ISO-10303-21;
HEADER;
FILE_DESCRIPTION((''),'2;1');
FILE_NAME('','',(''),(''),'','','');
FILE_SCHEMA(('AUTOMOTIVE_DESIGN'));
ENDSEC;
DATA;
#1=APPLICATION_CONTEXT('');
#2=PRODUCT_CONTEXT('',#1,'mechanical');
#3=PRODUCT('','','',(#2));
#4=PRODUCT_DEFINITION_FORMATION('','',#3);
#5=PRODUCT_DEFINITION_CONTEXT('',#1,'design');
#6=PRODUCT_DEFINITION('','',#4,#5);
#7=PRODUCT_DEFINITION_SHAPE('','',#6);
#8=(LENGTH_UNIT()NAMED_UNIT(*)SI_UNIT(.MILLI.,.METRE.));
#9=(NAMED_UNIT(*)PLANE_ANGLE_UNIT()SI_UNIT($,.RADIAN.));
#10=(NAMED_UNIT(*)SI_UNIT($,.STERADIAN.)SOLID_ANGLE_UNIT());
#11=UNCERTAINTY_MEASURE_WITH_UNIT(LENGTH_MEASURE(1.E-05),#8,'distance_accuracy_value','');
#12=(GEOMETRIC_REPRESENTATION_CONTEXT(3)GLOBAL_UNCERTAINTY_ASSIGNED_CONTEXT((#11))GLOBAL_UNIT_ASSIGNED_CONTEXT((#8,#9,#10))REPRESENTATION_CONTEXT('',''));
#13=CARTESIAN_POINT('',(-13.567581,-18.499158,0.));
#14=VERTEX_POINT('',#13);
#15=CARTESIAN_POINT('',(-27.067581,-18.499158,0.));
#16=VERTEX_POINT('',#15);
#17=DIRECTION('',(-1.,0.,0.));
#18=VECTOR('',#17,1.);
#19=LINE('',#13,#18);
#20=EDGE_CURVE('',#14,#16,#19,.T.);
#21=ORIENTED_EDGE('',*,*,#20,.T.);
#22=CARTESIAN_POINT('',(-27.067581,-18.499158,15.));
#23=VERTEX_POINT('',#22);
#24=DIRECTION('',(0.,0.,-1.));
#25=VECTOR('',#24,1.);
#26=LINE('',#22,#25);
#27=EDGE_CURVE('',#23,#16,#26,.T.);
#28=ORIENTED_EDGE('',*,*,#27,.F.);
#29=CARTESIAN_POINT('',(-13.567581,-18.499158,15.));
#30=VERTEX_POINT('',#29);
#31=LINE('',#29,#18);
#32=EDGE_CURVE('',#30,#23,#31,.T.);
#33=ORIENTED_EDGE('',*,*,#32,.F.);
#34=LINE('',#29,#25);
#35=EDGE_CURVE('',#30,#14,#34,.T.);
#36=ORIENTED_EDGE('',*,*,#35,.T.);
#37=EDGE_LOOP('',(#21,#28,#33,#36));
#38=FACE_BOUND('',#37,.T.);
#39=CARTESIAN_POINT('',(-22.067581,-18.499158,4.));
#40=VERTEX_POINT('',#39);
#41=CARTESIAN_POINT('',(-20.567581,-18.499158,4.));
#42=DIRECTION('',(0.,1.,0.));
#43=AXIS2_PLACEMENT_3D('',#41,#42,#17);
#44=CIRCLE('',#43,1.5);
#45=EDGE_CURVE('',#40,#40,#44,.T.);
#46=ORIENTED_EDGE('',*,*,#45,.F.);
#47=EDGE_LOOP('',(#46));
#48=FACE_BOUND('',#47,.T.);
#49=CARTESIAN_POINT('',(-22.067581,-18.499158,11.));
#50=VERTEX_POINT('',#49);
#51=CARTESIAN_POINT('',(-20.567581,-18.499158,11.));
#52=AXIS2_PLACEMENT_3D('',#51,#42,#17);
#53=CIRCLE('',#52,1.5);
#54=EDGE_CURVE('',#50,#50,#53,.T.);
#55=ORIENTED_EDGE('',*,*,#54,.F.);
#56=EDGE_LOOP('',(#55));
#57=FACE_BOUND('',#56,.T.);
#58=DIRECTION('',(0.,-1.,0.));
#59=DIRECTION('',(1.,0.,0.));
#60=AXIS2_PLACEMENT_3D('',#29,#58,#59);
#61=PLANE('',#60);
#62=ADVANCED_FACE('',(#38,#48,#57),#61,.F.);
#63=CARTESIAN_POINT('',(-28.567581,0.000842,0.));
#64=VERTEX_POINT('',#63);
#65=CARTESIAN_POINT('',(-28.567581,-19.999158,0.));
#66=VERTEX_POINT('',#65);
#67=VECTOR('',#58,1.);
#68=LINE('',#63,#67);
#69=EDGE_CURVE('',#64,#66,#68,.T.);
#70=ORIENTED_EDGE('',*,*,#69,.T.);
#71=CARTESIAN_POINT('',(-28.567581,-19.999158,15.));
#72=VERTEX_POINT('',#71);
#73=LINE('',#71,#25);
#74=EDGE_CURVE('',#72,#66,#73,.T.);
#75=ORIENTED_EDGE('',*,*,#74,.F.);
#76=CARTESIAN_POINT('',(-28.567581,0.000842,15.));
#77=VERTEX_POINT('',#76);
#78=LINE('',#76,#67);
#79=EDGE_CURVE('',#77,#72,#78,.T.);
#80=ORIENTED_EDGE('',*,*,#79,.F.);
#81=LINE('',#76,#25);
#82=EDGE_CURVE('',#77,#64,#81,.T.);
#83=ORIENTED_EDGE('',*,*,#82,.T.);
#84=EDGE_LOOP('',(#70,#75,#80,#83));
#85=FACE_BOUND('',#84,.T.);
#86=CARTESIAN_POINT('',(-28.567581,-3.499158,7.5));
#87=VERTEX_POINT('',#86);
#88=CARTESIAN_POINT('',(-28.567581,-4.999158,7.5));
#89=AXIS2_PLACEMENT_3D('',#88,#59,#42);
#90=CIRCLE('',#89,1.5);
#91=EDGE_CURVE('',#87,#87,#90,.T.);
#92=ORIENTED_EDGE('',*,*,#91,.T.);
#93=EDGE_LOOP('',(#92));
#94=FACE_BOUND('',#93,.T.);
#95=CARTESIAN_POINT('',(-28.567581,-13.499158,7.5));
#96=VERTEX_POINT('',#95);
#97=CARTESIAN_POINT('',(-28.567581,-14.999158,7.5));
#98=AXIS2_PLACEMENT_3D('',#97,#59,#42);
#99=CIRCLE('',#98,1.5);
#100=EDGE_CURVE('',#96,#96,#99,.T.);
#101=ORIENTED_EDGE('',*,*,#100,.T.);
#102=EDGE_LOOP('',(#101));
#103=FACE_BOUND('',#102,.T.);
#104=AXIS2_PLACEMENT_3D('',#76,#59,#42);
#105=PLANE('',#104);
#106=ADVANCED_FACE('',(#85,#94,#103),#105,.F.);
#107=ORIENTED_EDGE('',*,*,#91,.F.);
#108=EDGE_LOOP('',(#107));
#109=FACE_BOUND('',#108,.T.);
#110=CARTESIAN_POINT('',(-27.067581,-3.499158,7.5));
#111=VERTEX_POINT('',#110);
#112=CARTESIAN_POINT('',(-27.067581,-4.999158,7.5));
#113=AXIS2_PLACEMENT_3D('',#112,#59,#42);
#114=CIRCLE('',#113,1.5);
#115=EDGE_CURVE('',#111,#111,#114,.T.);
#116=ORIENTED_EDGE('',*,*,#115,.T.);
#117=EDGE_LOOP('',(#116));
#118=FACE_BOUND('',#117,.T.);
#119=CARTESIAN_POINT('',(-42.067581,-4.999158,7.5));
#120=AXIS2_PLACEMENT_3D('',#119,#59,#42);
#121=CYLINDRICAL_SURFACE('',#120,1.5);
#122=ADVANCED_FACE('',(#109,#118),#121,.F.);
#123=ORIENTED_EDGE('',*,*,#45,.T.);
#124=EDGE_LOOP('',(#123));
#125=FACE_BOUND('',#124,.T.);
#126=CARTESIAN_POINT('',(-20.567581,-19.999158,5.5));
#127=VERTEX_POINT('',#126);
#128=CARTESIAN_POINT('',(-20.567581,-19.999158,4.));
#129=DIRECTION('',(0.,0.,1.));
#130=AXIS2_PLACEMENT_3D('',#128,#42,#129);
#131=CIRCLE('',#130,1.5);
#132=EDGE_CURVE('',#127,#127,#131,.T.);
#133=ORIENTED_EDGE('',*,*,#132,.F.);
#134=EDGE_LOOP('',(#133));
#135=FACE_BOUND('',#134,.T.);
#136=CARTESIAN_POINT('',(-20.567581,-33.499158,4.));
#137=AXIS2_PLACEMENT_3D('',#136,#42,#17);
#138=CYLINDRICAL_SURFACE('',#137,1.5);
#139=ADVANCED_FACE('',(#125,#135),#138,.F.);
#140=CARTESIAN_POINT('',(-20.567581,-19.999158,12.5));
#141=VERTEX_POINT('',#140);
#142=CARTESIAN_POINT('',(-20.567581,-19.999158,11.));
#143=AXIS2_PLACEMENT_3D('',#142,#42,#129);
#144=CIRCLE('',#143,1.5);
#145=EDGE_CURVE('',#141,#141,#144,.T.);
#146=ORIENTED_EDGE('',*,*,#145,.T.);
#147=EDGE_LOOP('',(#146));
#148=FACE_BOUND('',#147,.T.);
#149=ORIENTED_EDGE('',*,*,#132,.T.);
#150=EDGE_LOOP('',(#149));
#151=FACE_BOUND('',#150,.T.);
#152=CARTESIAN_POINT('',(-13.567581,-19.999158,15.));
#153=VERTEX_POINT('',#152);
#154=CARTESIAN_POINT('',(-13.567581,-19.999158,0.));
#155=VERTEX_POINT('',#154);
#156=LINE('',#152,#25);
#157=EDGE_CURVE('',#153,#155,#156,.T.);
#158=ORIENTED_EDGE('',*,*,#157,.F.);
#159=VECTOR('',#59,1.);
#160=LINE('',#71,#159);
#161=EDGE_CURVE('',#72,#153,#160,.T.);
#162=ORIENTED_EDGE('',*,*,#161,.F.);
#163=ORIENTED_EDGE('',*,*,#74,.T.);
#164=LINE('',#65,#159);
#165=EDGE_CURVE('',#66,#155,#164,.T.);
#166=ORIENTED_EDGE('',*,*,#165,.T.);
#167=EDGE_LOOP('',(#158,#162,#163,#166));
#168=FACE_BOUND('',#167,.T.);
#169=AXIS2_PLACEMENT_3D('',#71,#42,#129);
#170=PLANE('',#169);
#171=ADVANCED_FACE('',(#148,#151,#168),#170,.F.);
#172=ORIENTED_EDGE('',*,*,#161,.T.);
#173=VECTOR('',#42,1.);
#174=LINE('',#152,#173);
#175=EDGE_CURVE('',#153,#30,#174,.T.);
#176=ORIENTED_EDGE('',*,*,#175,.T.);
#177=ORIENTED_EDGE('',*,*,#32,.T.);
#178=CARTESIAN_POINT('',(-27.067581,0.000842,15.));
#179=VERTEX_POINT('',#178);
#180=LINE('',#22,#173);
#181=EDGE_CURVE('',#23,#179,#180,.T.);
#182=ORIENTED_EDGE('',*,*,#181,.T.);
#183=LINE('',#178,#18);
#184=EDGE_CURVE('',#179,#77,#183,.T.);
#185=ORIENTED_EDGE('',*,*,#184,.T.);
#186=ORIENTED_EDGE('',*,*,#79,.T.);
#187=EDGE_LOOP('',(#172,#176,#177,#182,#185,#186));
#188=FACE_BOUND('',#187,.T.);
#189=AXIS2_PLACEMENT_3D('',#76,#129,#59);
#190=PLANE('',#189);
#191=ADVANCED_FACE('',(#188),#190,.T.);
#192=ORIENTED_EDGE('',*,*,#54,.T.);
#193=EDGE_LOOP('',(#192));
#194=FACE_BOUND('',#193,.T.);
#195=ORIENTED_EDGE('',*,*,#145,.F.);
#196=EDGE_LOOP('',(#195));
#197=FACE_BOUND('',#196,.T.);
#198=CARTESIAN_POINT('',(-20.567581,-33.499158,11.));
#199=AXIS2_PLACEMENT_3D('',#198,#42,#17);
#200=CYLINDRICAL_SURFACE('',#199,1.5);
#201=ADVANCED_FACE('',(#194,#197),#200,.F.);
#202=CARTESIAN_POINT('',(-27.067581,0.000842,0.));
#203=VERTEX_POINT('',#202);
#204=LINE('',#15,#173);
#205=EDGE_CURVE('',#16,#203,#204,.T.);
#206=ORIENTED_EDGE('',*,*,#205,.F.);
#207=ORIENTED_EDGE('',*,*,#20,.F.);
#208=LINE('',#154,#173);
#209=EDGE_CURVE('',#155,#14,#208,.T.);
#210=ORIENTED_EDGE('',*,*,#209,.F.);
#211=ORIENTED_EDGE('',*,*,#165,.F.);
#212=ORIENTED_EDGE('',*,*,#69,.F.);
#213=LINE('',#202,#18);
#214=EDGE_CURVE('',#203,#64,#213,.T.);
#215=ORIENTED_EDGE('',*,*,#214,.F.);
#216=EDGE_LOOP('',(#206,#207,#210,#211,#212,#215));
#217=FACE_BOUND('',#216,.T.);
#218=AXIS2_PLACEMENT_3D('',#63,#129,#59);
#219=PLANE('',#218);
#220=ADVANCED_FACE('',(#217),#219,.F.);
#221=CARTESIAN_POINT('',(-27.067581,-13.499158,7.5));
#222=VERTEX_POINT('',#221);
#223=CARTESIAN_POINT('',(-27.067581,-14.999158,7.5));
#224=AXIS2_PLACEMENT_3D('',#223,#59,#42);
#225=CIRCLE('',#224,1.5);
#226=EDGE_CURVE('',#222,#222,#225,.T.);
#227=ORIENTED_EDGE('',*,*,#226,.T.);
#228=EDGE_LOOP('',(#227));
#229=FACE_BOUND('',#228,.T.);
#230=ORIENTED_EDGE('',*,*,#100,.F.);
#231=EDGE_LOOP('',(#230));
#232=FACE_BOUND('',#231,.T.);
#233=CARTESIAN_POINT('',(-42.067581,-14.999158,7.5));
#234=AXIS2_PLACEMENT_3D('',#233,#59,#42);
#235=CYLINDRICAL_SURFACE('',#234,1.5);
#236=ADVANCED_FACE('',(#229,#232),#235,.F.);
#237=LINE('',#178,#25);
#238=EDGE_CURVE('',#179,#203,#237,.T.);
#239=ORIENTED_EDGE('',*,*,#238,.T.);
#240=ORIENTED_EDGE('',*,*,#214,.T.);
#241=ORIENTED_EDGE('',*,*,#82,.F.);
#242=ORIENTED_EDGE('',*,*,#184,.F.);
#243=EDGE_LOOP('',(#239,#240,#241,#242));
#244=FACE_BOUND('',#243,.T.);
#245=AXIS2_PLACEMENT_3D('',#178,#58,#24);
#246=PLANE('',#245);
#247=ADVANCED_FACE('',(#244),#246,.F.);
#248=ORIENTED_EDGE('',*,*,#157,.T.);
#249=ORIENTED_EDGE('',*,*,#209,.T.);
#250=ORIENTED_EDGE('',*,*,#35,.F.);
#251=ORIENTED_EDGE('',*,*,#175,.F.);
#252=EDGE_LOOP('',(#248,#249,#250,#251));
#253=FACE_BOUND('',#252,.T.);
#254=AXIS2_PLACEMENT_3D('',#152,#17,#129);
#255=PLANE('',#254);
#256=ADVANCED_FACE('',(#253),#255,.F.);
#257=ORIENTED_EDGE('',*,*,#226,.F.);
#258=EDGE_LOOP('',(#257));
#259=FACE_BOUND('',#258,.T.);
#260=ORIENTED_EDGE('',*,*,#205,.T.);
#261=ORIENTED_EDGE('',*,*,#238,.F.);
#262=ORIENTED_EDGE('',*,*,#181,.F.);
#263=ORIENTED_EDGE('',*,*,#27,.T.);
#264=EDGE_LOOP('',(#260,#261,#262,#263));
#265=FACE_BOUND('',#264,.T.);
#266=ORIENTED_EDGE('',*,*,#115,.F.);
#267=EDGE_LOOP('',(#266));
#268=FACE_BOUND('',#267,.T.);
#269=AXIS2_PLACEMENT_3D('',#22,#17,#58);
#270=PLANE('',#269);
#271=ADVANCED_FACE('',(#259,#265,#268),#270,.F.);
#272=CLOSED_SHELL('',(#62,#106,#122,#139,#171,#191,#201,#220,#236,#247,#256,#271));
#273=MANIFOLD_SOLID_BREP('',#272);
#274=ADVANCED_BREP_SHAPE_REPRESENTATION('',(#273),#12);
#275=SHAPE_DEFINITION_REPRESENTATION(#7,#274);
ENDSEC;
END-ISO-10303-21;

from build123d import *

# Parameters (mm, degrees)
EXTRUSION1_DEPTH = 15
ESQUISSE2_R      = 1.5
EXTRUSION2_DEPTH = 15
ESQUISSE3_R      = 1.5
EXTRUSION3_DEPTH = 15


with BuildPart() as part:
    # Esquisse1 → Extrusion1 (new body)
    with BuildSketch(Plane.XY):
        Polygon((-28.567581117, 0.000842105), (-28.567581117, -19.999157895), (-13.567581117, -19.999157895), (-13.567581117, -18.499157895), (-27.067581117, -18.499157895), (-27.067581117, 0.000842105), align=None)
    extrude(amount=EXTRUSION1_DEPTH)

    # Esquisse2 → Extrusion2 (cut)
    with BuildSketch(Plane(origin=(0, -18.499157895, 0), x_dir=(-1, 0, 0), z_dir=(0, 1, 0))):
        with Locations((20.567581117, 4)):
            Circle(ESQUISSE2_R)
        with Locations((20.567581117, 11)):
            Circle(ESQUISSE2_R)
    extrude(amount=-EXTRUSION2_DEPTH, mode=Mode.SUBTRACT)

    # Esquisse3 → Extrusion3 (cut)
    with BuildSketch(Plane(origin=(-27.067581117, 0, 0), x_dir=(0, 0, -1), z_dir=(1, 0, 0))):
        with Locations(Location((-7.5, -4.999157895, 0), (0, 0, 90))):
            Circle(ESQUISSE3_R)
        with Locations(Location((-7.5, -14.999157895, 0), (0, 0, 90))):
            Circle(ESQUISSE3_R)
    extrude(amount=-EXTRUSION3_DEPTH, mode=Mode.SUBTRACT)


solid = part.part
